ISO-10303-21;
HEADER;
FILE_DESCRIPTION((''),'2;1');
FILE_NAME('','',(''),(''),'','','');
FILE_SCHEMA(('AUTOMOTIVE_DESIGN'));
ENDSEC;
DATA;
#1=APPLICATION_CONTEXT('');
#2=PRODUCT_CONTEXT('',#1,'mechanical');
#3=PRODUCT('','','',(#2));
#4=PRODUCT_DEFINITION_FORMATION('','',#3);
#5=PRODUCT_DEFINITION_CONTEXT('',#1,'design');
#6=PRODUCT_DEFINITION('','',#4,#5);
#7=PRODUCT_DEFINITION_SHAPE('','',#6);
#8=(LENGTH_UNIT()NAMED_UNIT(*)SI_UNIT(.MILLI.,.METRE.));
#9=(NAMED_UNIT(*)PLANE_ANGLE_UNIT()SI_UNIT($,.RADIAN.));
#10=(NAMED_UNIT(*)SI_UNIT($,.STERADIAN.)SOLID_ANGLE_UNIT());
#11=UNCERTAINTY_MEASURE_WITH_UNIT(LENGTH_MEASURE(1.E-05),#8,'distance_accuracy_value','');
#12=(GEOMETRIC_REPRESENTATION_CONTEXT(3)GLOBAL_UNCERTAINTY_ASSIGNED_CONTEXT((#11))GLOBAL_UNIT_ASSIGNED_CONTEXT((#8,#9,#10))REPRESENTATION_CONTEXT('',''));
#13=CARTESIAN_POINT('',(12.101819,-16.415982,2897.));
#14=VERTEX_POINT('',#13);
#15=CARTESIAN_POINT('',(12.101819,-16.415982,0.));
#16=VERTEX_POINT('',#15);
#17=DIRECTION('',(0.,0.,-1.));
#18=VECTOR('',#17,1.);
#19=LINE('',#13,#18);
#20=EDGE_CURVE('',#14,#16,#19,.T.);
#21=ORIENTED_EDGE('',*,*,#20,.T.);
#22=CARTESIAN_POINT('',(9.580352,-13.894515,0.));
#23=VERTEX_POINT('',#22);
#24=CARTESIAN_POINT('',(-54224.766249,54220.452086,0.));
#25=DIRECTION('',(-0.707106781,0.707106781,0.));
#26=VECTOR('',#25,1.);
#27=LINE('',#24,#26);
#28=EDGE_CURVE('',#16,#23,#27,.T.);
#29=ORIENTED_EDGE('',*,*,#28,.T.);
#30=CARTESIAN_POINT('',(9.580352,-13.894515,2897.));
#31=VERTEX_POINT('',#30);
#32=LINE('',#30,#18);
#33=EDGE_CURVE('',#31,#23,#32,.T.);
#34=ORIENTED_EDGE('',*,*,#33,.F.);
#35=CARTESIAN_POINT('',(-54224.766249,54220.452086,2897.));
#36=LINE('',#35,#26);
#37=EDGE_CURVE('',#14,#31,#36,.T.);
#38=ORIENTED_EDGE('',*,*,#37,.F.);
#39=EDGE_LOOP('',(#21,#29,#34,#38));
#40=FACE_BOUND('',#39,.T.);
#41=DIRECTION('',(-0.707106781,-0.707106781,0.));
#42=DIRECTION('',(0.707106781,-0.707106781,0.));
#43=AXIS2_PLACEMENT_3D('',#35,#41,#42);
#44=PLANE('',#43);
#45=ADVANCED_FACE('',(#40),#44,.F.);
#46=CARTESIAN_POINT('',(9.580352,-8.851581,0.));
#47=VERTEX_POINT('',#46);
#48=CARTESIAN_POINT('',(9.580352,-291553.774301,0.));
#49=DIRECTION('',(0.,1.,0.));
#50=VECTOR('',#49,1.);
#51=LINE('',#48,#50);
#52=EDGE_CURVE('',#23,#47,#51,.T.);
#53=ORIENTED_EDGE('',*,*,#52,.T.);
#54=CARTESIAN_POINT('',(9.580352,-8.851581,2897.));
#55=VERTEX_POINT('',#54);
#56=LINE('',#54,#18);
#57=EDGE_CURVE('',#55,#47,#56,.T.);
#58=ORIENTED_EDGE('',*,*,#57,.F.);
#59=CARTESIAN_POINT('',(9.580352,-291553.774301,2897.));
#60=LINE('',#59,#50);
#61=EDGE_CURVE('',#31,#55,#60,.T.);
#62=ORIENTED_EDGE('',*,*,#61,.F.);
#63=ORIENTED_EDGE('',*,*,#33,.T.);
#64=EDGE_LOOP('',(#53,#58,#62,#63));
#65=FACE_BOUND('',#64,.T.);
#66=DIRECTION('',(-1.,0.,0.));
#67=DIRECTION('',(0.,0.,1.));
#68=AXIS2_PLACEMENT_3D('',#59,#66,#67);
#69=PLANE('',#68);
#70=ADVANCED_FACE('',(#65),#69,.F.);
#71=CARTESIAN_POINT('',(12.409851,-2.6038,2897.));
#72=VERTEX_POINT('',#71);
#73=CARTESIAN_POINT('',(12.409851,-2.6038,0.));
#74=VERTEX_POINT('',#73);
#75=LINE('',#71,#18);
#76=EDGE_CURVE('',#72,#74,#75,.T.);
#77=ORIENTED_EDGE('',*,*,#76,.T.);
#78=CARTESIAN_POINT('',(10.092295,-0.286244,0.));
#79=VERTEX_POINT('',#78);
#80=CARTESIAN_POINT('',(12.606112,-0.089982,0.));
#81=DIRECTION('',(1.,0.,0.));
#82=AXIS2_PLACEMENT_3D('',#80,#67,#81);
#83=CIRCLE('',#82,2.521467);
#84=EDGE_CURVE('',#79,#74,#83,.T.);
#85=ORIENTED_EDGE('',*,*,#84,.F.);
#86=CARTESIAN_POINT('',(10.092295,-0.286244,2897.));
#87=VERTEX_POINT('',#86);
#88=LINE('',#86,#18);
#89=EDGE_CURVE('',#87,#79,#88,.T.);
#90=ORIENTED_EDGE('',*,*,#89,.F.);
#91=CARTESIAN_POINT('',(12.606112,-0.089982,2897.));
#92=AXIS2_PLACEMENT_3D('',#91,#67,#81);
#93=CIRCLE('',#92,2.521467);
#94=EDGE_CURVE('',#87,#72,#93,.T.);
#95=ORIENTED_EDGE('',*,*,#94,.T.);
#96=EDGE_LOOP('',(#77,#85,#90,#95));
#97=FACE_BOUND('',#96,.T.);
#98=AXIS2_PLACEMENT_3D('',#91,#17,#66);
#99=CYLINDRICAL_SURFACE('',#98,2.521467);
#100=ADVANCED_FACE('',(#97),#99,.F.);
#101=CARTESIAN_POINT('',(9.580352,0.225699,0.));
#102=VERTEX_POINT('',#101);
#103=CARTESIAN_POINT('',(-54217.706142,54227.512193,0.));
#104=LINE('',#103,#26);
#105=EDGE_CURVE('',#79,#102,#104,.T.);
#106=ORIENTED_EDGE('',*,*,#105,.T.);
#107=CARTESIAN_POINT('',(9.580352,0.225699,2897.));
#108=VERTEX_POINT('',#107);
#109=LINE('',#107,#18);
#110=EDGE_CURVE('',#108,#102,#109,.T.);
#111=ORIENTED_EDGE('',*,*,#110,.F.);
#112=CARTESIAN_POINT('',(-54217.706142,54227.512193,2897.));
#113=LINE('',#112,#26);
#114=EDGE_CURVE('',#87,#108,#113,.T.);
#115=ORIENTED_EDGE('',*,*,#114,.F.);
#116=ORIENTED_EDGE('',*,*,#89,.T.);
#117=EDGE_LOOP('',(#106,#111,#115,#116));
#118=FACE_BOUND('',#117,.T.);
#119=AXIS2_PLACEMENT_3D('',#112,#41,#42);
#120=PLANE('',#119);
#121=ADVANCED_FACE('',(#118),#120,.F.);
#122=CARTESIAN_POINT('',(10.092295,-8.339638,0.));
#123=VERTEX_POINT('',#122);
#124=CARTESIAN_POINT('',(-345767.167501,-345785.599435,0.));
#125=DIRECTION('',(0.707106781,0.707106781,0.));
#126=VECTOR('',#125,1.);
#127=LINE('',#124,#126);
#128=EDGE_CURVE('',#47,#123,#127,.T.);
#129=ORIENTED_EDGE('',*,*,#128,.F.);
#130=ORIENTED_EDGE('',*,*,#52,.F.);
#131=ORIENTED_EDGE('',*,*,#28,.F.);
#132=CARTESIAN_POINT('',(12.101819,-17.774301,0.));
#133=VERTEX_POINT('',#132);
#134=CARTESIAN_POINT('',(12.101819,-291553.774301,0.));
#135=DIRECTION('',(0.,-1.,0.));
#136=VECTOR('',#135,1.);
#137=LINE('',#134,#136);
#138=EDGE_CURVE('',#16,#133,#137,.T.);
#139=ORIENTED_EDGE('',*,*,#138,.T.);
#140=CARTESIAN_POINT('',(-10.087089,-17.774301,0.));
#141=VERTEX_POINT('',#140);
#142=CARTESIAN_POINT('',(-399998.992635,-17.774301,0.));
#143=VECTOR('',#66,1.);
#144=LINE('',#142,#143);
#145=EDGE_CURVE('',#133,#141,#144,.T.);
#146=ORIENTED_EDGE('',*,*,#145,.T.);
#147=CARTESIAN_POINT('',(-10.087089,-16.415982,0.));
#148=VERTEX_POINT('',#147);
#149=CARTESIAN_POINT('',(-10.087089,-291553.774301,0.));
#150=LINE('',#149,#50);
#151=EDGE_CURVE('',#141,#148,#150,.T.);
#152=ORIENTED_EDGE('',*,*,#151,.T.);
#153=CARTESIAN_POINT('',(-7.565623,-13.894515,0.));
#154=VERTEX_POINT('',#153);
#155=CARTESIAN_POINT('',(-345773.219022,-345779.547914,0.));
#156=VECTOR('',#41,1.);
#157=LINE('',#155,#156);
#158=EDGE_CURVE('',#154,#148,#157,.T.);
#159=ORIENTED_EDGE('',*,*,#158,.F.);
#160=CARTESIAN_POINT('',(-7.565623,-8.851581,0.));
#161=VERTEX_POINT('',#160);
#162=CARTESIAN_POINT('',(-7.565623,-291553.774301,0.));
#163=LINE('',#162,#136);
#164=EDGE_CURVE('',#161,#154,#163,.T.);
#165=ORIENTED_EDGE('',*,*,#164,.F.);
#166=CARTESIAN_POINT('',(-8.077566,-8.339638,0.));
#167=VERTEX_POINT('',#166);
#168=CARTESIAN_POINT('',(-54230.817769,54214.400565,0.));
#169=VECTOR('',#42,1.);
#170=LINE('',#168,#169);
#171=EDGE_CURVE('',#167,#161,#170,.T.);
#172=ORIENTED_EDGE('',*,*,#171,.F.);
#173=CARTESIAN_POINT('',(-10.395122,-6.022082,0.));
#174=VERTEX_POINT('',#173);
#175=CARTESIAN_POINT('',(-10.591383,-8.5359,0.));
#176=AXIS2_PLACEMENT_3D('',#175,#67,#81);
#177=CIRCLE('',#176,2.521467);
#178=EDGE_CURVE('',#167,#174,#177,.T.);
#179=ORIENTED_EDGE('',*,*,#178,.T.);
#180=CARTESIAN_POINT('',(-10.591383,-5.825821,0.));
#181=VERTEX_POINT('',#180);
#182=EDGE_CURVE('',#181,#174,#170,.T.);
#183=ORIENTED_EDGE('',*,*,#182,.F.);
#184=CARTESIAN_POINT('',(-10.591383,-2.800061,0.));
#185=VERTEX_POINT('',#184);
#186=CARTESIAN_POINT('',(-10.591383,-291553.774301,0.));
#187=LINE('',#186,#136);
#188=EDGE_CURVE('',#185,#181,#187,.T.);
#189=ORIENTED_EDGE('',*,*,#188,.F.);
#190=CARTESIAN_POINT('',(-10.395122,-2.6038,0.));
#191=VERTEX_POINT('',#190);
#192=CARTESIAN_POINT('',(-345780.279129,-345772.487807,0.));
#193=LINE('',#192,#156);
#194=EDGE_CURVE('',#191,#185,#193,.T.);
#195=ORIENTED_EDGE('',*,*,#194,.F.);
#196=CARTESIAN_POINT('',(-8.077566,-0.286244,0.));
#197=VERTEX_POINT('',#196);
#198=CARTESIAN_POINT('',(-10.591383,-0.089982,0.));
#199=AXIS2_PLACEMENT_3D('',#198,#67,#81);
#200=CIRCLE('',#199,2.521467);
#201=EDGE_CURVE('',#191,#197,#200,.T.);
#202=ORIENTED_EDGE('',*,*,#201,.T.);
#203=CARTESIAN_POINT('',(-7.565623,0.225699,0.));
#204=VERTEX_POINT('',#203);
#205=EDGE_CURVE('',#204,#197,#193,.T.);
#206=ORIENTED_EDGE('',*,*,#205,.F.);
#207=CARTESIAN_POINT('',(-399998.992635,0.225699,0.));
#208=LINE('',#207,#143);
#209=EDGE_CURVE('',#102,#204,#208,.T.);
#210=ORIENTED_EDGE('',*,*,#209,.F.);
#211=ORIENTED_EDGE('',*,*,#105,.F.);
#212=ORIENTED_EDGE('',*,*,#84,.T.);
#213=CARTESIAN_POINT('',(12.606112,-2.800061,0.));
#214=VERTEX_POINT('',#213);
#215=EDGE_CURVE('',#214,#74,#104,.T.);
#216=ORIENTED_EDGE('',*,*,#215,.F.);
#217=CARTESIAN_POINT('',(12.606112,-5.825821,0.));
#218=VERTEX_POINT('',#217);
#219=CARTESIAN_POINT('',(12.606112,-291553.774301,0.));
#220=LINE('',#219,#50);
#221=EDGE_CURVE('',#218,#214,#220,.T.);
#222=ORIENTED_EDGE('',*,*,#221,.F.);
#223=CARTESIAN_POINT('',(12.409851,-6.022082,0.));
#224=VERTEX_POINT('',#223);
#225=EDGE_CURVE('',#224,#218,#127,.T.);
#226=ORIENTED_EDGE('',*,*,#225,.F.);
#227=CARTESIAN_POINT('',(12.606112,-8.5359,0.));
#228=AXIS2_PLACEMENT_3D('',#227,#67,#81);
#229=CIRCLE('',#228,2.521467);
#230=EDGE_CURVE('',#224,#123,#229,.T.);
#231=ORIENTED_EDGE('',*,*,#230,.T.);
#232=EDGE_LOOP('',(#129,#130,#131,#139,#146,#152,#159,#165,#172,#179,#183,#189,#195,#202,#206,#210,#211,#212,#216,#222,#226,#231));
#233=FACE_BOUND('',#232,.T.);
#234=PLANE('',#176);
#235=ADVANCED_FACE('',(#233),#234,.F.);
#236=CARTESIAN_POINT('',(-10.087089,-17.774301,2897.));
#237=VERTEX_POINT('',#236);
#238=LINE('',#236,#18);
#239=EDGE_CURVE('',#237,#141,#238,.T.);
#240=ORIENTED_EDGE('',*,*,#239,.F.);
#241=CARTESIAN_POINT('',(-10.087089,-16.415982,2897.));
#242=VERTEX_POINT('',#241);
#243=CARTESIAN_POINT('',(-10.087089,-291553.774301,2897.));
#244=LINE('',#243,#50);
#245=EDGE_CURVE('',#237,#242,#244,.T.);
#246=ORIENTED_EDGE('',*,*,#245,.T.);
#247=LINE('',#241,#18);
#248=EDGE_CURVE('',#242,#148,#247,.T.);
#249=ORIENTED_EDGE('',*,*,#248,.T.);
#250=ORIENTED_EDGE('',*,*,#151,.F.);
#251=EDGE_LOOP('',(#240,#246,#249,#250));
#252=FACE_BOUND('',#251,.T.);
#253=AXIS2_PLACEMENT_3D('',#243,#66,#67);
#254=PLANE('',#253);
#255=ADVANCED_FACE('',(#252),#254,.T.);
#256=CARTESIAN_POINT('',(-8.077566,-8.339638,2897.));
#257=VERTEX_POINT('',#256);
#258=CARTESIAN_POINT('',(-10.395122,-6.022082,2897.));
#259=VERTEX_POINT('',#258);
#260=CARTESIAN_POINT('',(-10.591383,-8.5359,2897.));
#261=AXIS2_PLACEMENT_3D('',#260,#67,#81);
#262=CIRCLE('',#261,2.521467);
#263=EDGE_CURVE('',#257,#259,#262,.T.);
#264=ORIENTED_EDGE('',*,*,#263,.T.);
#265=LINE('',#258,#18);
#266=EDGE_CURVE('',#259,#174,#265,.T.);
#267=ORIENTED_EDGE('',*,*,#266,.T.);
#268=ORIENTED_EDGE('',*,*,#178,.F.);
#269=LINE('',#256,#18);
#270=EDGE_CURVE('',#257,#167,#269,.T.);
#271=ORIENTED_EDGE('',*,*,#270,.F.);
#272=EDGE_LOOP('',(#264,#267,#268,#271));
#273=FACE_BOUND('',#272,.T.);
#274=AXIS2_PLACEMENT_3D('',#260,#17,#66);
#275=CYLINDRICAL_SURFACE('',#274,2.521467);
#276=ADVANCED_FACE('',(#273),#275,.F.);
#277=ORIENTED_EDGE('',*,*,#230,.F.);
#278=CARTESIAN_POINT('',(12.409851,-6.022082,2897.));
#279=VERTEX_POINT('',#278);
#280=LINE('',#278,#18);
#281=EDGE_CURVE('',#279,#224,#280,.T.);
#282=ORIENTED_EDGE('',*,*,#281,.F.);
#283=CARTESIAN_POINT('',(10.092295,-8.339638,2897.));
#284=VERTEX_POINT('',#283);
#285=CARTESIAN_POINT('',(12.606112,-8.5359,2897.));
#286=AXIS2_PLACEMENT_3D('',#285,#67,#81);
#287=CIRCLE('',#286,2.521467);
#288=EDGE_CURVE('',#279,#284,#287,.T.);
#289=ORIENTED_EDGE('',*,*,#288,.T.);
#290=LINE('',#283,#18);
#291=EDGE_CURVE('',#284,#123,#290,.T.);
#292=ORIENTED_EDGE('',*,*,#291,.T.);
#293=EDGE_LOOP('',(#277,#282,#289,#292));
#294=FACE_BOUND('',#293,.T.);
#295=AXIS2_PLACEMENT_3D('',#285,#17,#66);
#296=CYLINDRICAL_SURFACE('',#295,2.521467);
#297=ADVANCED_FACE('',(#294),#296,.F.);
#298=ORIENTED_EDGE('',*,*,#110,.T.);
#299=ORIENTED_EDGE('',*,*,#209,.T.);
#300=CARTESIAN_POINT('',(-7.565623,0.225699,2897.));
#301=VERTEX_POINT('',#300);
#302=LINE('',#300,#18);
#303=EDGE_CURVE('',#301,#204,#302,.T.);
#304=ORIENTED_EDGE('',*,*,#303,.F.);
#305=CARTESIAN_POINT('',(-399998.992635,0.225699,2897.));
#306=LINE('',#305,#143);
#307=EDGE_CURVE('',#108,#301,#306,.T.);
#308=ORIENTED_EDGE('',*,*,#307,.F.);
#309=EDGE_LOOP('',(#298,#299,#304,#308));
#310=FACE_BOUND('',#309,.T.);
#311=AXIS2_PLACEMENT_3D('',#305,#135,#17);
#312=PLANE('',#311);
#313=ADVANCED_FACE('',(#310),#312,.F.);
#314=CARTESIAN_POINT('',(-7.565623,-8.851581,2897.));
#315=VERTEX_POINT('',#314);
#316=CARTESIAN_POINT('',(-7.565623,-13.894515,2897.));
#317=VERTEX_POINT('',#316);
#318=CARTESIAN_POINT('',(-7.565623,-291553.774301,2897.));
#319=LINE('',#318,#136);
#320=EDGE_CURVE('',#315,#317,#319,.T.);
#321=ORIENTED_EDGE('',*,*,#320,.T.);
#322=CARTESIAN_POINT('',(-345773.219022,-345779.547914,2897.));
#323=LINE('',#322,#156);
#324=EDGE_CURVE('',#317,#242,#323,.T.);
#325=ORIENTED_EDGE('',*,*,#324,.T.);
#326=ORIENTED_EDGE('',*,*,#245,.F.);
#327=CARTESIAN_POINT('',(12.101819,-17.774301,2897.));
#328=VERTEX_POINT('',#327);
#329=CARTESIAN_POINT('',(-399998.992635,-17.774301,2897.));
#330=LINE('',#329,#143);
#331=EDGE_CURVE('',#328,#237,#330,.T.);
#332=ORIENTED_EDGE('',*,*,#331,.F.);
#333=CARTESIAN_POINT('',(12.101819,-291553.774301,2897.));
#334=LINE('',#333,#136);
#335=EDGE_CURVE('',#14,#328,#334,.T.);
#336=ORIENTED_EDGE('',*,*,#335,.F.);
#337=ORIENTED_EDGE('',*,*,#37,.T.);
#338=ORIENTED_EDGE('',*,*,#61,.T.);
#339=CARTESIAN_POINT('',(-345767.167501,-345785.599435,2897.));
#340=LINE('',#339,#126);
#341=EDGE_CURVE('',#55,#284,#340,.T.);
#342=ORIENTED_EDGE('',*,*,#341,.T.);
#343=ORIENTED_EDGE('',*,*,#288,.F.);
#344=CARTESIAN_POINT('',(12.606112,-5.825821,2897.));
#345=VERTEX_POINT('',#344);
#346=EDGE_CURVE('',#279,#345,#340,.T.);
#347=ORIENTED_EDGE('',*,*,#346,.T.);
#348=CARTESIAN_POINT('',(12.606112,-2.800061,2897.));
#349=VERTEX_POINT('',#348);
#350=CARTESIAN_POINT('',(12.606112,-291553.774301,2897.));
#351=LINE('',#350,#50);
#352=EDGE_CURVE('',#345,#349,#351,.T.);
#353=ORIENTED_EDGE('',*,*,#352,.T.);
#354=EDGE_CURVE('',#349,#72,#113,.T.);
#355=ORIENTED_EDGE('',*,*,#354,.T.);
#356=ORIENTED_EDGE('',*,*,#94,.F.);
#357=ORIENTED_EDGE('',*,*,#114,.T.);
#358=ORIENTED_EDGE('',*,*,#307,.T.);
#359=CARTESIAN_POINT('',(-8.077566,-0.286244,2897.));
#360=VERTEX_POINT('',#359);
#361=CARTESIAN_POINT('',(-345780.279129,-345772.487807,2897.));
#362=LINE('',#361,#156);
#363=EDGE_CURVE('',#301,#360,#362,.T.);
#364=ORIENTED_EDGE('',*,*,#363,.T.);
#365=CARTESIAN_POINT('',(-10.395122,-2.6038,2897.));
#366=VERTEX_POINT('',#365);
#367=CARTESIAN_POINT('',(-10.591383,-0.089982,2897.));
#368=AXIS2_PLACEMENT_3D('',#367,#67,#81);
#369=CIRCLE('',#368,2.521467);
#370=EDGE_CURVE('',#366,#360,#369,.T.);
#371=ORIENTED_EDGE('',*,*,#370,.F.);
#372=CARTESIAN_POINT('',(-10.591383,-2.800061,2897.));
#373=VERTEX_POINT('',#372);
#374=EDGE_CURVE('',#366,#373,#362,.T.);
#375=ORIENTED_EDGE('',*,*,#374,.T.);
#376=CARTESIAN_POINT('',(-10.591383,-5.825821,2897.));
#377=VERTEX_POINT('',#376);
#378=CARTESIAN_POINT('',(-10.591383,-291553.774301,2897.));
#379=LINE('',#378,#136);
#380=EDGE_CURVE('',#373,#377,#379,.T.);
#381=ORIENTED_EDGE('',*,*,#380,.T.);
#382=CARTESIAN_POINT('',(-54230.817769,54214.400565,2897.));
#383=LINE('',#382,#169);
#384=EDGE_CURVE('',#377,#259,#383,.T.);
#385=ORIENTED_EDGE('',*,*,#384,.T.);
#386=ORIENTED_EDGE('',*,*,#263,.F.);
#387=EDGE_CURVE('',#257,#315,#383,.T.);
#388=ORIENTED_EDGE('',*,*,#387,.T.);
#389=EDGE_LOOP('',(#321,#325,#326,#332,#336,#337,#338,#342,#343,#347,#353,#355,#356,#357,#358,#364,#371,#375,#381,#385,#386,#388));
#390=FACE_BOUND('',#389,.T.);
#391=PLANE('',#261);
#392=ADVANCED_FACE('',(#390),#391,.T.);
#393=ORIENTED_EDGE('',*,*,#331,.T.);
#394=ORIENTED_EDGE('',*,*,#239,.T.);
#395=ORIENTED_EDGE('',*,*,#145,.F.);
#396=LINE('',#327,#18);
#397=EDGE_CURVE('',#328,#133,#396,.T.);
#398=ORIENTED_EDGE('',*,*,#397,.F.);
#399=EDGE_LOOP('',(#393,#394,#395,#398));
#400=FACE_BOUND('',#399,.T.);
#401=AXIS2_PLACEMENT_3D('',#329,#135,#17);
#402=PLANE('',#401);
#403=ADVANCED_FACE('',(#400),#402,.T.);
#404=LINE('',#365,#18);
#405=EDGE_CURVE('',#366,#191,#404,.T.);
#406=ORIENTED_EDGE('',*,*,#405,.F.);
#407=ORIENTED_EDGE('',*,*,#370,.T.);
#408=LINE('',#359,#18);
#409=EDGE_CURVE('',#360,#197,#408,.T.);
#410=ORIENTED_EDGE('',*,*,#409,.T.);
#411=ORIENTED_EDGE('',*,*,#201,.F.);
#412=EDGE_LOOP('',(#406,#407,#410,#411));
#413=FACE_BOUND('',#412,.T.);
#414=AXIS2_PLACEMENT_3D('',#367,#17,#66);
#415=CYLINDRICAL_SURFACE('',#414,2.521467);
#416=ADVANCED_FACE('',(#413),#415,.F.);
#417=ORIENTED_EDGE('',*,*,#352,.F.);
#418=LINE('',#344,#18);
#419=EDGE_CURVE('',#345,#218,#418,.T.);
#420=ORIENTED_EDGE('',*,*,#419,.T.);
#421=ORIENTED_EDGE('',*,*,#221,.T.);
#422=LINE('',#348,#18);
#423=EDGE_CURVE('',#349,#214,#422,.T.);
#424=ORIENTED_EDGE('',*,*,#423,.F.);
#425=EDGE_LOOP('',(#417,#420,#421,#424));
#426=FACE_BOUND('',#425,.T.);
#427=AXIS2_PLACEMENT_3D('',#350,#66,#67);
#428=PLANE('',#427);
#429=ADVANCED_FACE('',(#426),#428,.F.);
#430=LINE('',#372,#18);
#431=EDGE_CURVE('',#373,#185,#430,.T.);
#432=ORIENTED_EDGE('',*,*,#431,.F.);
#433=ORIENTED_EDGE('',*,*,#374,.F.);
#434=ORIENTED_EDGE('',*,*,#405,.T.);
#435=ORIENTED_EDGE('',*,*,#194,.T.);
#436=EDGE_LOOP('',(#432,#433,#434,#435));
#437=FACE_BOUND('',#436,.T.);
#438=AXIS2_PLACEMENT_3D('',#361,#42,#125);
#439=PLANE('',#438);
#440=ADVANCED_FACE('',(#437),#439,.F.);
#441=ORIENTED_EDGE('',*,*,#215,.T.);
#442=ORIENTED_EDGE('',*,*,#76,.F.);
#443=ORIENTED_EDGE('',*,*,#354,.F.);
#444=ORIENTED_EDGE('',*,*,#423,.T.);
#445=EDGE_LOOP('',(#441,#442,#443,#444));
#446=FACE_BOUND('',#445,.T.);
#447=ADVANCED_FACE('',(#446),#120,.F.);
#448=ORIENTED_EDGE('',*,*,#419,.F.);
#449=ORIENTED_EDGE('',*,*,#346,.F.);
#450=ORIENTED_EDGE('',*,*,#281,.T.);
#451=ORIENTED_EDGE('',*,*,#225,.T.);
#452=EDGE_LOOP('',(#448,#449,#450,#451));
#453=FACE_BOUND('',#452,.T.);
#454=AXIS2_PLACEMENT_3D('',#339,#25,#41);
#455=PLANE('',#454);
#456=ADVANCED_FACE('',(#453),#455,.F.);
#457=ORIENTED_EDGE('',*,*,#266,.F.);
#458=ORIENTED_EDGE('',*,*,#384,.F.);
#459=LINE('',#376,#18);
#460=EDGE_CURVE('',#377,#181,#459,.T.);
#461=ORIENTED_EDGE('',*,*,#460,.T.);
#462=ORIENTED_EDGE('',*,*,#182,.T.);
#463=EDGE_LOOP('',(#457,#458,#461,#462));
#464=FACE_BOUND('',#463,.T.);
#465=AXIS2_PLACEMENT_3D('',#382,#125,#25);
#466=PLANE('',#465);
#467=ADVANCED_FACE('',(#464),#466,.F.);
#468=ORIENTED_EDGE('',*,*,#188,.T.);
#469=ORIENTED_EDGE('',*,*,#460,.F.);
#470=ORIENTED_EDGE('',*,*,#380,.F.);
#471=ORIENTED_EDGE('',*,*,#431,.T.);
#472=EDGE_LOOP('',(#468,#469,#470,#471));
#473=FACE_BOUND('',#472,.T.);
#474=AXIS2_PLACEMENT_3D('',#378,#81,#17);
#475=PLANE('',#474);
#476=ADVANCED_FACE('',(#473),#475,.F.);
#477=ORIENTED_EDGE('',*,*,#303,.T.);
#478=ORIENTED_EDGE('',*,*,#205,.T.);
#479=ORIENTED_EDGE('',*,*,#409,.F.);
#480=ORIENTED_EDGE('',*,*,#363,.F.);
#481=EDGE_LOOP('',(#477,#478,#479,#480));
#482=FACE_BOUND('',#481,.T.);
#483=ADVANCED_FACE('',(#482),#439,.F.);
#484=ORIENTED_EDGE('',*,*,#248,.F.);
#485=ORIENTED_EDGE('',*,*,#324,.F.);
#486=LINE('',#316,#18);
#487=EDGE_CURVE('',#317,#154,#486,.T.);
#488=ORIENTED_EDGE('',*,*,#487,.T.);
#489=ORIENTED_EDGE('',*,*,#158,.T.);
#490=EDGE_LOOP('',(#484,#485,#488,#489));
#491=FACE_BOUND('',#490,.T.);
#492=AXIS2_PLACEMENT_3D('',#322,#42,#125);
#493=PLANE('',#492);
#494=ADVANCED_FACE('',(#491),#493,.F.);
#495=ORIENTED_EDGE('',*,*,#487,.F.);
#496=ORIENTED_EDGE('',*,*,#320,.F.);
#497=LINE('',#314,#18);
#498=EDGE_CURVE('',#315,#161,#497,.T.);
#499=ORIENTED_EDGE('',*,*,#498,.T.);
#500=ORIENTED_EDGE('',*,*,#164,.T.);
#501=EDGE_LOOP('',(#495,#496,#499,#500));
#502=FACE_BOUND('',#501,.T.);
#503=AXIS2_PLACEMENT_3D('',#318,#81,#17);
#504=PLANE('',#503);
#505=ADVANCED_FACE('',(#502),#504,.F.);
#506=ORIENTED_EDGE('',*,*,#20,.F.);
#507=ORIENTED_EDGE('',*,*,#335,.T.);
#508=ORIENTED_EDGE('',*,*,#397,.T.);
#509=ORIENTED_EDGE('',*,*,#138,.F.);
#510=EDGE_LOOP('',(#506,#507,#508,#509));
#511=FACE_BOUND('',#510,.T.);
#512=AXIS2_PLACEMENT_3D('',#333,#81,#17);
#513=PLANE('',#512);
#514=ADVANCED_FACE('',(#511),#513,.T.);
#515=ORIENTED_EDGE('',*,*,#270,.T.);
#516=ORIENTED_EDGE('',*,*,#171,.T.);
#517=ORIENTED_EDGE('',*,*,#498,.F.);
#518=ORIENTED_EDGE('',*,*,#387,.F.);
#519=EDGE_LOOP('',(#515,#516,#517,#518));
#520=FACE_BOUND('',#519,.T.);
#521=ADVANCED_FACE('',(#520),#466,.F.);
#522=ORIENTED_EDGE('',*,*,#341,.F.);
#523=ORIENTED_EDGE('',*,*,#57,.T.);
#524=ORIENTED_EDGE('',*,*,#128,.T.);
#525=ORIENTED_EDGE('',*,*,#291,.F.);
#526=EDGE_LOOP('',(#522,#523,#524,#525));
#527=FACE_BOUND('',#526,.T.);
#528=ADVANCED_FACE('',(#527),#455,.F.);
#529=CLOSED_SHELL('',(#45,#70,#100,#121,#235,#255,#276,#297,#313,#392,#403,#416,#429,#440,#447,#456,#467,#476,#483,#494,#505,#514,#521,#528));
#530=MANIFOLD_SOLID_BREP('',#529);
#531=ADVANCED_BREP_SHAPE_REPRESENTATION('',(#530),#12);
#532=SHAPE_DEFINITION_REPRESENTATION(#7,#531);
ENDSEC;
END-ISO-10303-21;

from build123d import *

# Parameters (mm, degrees)
ESTRUSIONE_ESTRUSIONE1_DEPTH = 2897


with BuildPart() as part:
    # Schizzo1 → Estrusione-Estrusione1 (new body)
    with BuildSketch(Plane.XY):
        with BuildLine():
            Line((-10.087089482, -16.415981983), (-7.565622613, -13.894515114))
            Line((-7.565622613, -13.894515114), (-7.565622613, -8.851581376))
            Line((-7.565622613, -8.851581376), (-8.0775657, -8.339638289))
            ThreePointArc((-8.0775657, -8.339638289), (-8.808436534, -6.752953221), (-10.395121602, -6.022082387))
            Line((-10.395121602, -6.022082387), (-10.591382856, -5.825821133))
            Line((-10.591382856, -5.825821133), (-10.591382856, -2.800060891))
            Line((-10.591382856, -2.800060891), (-10.395121602, -2.603799637))
            ThreePointArc((-10.395121602, -2.603799637), (-8.808436534, -1.872928803), (-8.0775657, -0.286243735))
            Line((-8.0775657, -0.286243735), (-7.565622613, 0.225699352))
            Line((-7.565622613, 0.225699352), (9.580352097, 0.225699352))
            Line((9.580352097, 0.225699352), (10.092295184, -0.286243735))
            ThreePointArc((10.092295184, -0.286243735), (10.823166018, -1.872928803), (12.409851086, -2.603799637))
            Line((12.409851086, -2.603799637), (12.606112339, -2.800060891))
            Line((12.606112339, -2.800060891), (12.606112339, -5.825821133))
            Line((12.606112339, -5.825821133), (12.409851086, -6.022082387))
            ThreePointArc((12.409851086, -6.022082387), (10.823166018, -6.752953221), (10.092295184, -8.339638289))
            Line((10.092295184, -8.339638289), (9.580352097, -8.851581376))
            Line((9.580352097, -8.851581376), (9.580352097, -13.894515114))
            Line((9.580352097, -13.894515114), (12.101818966, -16.415981983))
            Line((12.101818966, -16.415981983), (12.101818966, -17.774300648))
            Line((12.101818966, -17.774300648), (-10.087089482, -17.774300648))
            Line((-10.087089482, -17.774300648), (-10.087089482, -16.415981983))
        make_face()
    extrude(amount=ESTRUSIONE_ESTRUSIONE1_DEPTH)


solid = part.part
